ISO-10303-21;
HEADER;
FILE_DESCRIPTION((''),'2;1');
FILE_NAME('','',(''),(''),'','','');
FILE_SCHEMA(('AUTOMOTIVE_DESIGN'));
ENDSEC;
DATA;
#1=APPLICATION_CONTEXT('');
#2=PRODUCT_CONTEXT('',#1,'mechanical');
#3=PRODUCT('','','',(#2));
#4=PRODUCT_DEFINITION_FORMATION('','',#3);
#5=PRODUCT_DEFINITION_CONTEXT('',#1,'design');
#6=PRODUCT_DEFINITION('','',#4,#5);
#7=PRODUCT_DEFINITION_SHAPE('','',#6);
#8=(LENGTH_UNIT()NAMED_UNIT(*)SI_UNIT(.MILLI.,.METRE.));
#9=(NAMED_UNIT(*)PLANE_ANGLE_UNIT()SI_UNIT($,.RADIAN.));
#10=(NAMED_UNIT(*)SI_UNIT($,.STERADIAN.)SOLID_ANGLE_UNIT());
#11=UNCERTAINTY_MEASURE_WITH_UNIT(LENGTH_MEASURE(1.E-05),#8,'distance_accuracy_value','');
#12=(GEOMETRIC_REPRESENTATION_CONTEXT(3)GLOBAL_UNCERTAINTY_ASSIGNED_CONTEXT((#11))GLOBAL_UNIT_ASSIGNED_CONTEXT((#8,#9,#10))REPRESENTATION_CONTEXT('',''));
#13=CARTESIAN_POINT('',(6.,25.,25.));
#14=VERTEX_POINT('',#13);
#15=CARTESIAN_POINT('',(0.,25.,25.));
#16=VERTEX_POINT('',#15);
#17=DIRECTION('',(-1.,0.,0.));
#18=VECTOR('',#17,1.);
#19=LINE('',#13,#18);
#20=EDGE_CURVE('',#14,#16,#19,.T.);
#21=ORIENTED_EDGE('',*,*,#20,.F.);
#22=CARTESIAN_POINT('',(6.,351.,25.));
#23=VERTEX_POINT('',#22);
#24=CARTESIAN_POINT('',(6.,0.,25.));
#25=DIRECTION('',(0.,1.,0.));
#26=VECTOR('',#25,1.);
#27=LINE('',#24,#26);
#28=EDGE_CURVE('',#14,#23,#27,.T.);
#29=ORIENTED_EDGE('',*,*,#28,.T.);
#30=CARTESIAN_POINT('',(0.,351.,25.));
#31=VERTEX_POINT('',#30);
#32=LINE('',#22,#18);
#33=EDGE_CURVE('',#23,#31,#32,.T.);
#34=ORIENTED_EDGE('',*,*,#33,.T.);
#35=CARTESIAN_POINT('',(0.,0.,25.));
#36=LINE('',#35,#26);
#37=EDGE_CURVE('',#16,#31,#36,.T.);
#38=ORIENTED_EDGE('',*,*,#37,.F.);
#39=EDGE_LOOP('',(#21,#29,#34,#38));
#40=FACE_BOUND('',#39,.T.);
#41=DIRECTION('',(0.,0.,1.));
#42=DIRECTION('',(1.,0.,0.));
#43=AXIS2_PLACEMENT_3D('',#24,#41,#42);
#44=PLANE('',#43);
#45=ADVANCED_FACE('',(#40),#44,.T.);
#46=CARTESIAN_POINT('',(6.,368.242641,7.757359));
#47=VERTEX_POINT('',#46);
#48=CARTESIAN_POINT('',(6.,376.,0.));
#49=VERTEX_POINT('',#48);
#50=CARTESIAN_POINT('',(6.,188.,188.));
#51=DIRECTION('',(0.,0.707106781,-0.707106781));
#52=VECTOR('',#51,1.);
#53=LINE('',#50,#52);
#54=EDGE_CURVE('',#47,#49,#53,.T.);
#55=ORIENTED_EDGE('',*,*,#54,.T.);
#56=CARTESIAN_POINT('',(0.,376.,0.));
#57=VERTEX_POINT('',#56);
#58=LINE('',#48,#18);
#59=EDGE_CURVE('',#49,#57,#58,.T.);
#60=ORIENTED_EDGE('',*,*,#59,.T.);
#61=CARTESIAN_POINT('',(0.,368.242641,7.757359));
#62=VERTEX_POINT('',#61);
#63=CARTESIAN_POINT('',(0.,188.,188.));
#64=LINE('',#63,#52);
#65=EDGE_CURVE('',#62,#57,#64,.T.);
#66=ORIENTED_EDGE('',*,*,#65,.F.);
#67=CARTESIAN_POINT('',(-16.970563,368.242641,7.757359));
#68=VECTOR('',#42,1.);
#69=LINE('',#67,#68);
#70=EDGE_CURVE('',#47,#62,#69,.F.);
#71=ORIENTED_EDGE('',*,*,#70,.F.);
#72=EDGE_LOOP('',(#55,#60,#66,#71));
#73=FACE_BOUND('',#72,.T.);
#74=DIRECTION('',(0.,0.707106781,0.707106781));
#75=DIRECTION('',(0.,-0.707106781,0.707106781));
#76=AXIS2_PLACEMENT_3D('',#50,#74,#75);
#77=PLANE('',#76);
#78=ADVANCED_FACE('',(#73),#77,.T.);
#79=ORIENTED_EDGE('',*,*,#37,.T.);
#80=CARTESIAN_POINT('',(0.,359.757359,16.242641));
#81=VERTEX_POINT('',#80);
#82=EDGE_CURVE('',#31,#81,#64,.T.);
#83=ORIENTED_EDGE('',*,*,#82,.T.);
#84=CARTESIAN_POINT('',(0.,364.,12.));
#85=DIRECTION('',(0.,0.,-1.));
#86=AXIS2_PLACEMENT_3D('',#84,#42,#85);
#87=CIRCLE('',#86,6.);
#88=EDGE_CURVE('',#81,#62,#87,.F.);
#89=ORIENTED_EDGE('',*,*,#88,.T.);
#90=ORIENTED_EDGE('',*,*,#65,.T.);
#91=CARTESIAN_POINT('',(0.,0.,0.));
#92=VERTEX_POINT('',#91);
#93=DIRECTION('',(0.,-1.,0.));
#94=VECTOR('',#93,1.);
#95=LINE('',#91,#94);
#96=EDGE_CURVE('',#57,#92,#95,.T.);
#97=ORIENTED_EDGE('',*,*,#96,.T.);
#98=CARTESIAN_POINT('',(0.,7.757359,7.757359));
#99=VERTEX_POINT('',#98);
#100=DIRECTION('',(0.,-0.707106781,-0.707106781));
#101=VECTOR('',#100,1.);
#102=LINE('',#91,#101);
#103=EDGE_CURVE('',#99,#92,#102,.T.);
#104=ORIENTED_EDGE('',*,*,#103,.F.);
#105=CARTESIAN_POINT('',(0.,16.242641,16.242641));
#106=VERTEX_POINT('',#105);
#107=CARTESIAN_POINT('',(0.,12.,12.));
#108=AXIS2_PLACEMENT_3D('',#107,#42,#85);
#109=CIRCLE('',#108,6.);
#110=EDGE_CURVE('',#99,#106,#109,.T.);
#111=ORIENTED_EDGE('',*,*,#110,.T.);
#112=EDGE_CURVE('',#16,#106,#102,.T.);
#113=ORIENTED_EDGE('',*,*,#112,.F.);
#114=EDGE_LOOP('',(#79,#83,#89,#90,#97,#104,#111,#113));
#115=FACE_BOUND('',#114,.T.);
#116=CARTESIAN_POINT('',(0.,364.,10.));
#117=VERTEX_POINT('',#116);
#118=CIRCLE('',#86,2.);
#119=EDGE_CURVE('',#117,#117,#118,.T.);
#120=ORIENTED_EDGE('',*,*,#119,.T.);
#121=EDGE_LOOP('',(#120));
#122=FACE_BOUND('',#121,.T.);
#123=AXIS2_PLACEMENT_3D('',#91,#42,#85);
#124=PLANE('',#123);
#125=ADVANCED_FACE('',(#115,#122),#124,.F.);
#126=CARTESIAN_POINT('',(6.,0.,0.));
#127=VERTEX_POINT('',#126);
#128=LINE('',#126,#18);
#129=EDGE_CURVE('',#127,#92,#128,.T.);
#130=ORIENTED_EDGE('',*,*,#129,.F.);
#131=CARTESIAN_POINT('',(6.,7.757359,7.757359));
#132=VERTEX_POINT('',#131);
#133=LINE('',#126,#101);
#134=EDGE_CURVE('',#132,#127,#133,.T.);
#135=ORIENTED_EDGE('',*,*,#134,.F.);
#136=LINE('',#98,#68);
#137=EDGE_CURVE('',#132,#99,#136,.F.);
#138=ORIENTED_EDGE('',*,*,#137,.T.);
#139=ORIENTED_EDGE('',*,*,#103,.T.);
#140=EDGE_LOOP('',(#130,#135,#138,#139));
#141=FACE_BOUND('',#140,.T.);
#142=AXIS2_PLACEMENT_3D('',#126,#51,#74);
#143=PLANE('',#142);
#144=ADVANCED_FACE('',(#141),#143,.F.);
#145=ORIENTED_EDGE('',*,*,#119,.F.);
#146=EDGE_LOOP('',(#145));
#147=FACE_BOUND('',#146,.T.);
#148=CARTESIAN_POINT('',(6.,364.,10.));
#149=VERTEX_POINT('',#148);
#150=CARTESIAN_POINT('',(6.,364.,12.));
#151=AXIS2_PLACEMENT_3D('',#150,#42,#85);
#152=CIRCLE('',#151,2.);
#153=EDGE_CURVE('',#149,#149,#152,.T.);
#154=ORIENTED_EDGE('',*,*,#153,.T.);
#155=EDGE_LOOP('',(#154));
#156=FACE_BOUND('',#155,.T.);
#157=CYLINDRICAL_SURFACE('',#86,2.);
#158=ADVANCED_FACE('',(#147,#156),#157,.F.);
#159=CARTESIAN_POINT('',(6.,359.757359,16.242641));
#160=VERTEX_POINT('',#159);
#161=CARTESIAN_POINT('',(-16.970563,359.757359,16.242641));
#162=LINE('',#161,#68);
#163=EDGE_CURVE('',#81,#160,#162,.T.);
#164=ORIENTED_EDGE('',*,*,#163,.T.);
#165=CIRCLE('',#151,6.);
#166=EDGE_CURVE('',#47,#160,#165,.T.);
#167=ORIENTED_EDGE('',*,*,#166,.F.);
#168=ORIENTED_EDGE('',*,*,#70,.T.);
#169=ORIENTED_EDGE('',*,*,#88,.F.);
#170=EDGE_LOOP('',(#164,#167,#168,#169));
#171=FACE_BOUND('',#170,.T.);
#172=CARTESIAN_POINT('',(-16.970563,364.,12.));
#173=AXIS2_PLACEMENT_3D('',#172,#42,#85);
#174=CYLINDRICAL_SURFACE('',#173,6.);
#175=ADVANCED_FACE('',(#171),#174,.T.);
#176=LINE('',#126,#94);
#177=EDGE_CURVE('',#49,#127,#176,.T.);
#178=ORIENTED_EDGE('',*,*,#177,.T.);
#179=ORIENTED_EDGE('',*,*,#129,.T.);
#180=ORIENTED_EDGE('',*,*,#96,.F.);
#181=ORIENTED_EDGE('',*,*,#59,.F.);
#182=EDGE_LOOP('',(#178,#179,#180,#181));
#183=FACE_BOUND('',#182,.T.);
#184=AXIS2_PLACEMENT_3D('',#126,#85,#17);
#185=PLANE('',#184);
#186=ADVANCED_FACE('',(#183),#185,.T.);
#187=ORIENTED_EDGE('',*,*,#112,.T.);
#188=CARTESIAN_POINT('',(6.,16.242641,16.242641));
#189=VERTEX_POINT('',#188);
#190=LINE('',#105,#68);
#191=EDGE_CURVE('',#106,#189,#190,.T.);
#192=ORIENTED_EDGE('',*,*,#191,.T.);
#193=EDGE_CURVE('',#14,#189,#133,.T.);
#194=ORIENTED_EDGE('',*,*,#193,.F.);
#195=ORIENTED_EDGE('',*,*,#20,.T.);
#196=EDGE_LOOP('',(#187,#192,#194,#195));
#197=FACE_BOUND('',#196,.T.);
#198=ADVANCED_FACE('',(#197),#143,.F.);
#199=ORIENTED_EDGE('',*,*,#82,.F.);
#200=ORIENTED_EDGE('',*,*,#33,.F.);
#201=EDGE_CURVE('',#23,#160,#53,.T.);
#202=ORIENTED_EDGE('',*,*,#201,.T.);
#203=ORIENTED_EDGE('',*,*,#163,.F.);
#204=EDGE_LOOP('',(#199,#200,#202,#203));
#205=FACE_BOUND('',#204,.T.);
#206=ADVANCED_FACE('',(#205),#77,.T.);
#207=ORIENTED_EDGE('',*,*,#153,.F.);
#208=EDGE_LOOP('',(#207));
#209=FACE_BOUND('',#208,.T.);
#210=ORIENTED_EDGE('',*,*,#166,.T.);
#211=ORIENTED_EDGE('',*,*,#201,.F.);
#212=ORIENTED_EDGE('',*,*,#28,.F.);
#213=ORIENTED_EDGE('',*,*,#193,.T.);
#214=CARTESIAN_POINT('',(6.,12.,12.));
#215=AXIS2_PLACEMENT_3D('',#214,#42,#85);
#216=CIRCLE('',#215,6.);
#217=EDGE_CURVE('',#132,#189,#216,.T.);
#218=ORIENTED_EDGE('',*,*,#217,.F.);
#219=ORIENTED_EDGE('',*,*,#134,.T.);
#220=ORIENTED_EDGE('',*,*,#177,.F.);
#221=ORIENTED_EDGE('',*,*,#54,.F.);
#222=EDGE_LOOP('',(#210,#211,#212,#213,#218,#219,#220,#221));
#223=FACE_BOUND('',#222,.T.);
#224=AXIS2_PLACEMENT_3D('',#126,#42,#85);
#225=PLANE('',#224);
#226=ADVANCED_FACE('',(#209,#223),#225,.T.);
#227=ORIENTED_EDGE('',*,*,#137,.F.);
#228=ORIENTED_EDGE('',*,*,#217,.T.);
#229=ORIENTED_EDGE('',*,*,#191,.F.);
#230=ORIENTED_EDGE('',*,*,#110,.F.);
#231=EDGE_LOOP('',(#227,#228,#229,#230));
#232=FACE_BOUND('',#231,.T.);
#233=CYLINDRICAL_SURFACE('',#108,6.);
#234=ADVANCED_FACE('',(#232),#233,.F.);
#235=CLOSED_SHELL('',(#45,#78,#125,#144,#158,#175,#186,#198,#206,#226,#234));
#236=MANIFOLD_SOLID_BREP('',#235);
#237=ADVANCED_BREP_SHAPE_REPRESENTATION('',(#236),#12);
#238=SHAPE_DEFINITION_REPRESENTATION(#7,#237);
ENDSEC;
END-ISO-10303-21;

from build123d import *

# Parameters (mm, degrees)
BOSS_EXTRUDE1_DEPTH = 6
SKETCH4_R           = 6
BOSS_EXTRUDE2_DEPTH = 6
SKETCH3_R           = 2
SKETCH3_R_2         = 6
CUT_EXTRUDE1_DEPTH  = 377.877964333


with BuildPart() as part:
    # Sketch2 → Boss-Extrude1 (new body)
    with BuildSketch(Plane(origin=(0, 0, 0), x_dir=(0, 0, -1), z_dir=(1, 0, 0))):
        Polygon((0, 376), (0, 0), (-25, 25), (-25, 351), align=None)
    extrude(amount=BOSS_EXTRUDE1_DEPTH)

    # Sketch4 → Boss-Extrude2 (add)
    with BuildSketch(Plane(origin=(6, 0, 0), x_dir=(0, 0, -1), z_dir=(1, 0, 0))):
        with Locations((-12, 364)):
            Circle(SKETCH4_R)
    extrude(amount=-BOSS_EXTRUDE2_DEPTH)

    # Sketch3 → Cut-Extrude1 (cut, through all)
    with BuildSketch(Plane(origin=(6, 0, 0), x_dir=(0, 0, -1), z_dir=(1, 0, 0))):
        with Locations((-12, 364)):
            Circle(SKETCH3_R)
        with Locations((-12, 12)):
            Circle(SKETCH3_R_2)
    extrude(amount=-CUT_EXTRUDE1_DEPTH, mode=Mode.SUBTRACT)


solid = part.part
